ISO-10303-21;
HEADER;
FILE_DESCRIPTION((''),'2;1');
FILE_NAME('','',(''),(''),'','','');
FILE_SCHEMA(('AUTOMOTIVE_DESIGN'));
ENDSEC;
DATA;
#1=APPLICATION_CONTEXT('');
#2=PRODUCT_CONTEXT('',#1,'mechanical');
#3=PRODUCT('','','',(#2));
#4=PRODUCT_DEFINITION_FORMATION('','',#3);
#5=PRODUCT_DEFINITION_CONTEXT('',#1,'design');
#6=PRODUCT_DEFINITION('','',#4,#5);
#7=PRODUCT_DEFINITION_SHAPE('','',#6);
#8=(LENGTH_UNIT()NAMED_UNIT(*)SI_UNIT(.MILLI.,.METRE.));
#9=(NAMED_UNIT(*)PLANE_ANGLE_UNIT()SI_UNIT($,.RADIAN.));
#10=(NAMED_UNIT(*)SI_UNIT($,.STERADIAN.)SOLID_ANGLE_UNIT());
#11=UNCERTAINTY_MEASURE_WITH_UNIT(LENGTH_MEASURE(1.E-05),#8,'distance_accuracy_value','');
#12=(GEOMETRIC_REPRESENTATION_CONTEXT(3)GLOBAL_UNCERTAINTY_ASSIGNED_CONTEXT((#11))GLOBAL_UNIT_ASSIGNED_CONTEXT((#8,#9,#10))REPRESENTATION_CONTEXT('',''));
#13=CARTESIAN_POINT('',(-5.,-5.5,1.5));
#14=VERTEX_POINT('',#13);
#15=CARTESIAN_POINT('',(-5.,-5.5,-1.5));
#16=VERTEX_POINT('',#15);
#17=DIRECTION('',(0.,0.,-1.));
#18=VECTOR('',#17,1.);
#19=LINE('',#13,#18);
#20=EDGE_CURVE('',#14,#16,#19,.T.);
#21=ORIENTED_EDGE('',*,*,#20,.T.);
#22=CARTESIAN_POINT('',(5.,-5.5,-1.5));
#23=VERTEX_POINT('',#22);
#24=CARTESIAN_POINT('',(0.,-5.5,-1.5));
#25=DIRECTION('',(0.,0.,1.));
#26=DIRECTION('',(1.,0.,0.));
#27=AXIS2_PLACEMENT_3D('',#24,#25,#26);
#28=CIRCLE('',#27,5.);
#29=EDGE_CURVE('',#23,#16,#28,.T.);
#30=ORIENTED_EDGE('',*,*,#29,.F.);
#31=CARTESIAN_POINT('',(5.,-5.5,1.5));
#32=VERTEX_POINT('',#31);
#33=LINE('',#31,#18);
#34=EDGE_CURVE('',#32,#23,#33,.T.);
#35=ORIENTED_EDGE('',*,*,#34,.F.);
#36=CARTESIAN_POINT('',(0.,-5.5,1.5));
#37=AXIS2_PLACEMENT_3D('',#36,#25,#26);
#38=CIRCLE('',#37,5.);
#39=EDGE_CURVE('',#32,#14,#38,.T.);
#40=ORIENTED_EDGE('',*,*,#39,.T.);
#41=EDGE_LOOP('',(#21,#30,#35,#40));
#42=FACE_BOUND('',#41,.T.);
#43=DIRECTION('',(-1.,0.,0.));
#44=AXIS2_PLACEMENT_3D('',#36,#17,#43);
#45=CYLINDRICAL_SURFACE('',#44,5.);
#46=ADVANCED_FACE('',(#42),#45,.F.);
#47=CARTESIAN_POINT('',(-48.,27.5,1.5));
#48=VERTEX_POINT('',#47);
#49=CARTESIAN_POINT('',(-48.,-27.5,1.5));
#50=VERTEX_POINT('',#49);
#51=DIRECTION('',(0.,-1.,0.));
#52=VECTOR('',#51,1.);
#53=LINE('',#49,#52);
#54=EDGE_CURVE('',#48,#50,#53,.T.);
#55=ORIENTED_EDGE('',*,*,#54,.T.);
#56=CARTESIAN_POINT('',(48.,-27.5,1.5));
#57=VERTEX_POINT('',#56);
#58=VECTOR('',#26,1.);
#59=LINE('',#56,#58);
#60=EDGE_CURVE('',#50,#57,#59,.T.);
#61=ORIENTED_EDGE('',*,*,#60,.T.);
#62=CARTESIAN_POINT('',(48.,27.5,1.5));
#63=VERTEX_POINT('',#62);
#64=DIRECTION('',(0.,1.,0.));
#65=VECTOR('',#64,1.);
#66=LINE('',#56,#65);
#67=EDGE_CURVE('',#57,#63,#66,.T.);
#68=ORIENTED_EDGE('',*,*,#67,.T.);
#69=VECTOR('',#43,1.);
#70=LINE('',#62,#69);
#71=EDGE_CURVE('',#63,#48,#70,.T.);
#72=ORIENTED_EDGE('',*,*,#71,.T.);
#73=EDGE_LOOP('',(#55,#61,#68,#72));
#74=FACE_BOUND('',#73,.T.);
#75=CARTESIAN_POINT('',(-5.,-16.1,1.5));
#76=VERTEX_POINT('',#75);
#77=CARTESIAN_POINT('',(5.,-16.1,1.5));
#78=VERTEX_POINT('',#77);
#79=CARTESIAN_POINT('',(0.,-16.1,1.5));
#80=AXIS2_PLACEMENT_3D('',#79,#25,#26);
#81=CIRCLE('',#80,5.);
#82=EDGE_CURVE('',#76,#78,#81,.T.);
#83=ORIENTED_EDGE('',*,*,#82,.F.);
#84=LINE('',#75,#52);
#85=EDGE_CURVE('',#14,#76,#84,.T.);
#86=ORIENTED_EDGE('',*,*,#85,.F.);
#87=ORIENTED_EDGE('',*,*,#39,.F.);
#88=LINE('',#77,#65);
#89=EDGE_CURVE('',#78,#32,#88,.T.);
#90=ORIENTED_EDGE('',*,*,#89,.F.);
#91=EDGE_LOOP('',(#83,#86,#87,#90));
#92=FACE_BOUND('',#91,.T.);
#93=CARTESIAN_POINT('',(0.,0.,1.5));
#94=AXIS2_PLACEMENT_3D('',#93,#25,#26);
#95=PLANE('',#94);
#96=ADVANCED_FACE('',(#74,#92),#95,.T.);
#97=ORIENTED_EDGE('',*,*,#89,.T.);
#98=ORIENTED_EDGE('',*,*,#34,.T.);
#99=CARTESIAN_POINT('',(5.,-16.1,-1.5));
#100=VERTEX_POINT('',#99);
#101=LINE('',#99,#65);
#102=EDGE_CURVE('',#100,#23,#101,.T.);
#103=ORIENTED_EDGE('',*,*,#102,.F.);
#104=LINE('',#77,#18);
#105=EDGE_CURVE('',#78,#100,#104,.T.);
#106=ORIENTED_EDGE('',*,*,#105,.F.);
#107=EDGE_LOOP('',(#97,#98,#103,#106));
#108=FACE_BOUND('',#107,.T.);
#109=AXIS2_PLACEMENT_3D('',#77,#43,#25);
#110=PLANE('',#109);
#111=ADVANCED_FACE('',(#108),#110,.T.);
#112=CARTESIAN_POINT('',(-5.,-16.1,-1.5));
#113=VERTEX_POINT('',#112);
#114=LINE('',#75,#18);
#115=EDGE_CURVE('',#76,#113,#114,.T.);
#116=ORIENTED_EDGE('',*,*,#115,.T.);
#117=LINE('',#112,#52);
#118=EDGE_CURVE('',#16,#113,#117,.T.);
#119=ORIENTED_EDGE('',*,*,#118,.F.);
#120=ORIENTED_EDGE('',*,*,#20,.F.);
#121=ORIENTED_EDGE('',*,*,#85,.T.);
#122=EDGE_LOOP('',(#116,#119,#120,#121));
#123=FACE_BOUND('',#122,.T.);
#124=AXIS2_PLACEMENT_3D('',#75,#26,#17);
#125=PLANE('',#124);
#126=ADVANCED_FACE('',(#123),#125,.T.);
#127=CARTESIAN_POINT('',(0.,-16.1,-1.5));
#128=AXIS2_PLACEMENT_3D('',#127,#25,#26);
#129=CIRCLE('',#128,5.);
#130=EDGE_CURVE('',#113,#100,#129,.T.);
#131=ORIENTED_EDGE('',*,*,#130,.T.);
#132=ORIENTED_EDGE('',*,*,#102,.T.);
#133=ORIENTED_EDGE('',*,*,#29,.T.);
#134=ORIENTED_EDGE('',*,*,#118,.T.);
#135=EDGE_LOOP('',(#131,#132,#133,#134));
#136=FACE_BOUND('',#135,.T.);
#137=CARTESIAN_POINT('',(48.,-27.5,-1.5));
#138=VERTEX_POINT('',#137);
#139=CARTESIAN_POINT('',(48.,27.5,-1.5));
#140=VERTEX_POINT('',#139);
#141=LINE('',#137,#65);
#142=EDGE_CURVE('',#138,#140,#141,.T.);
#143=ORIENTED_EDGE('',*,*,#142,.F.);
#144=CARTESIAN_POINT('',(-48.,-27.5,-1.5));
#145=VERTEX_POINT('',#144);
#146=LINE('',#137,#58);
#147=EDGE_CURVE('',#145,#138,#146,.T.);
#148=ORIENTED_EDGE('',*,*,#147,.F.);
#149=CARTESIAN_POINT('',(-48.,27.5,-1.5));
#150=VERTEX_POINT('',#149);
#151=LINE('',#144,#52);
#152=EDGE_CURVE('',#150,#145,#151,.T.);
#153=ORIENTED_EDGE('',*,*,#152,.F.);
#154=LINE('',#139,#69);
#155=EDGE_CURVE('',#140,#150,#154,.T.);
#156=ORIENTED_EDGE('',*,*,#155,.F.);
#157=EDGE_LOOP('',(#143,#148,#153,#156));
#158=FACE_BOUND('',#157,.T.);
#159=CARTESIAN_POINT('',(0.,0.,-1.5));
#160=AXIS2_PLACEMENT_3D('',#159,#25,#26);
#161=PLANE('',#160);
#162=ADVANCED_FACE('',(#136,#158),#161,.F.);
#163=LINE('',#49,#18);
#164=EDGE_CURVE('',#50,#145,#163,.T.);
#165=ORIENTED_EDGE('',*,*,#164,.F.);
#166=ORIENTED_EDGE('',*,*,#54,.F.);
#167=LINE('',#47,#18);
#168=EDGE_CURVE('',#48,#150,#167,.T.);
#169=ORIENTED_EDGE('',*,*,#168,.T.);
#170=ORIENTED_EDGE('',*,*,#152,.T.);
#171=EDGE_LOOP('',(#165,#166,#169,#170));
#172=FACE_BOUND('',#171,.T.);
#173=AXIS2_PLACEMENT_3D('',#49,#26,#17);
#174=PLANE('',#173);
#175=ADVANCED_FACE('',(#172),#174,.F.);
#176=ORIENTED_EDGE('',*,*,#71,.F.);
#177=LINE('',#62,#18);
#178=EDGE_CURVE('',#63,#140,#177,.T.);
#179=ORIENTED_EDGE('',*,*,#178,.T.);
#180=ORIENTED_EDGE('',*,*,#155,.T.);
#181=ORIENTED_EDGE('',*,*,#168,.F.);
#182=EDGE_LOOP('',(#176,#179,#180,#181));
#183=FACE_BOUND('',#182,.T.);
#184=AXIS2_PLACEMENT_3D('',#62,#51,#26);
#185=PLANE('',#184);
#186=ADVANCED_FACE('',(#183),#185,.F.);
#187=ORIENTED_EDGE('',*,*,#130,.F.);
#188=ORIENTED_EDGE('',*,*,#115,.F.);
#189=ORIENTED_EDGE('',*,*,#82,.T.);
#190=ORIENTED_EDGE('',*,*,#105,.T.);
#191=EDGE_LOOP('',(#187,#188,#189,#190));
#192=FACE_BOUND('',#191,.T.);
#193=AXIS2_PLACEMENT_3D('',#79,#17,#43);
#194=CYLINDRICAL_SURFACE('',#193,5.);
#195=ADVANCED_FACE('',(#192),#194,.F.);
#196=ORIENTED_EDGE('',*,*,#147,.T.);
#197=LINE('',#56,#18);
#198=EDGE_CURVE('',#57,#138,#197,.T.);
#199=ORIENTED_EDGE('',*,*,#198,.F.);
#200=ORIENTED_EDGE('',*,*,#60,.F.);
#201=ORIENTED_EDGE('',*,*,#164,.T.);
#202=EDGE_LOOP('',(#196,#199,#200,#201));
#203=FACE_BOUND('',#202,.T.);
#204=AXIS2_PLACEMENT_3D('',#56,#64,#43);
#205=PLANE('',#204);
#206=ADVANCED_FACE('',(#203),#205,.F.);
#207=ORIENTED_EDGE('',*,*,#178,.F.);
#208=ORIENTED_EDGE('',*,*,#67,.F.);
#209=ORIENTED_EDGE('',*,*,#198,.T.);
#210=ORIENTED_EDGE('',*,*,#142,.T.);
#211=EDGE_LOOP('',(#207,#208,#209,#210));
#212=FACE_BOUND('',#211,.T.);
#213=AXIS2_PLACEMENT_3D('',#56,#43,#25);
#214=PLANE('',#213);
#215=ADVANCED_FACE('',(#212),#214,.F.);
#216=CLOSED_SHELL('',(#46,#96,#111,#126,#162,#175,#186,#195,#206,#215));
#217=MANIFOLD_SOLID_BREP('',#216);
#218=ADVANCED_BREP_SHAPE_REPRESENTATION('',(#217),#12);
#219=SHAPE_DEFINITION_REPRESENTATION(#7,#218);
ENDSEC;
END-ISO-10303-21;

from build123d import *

# Parameters (mm, degrees)
SKETCH1_W           = 96
SKETCH1_H           = 55
BOSS_EXTRUDE1_DEPTH = 1.5


with BuildPart() as part:
    # Sketch1 → Boss-Extrude1 (new, symmetric)
    with BuildSketch(Plane.XY):
        Rectangle(SKETCH1_W, SKETCH1_H)
        with BuildLine():
            Line((-5, -16.1), (-5, -5.5))
            ThreePointArc((-5, -5.5), (0, -0.5), (5, -5.5))
            Line((5, -5.5), (5, -16.1))
            ThreePointArc((5, -16.1), (0, -21.1), (-5, -16.1))
        make_face(mode=Mode.SUBTRACT)
    extrude(amount=BOSS_EXTRUDE1_DEPTH, both=True)


solid = part.part
